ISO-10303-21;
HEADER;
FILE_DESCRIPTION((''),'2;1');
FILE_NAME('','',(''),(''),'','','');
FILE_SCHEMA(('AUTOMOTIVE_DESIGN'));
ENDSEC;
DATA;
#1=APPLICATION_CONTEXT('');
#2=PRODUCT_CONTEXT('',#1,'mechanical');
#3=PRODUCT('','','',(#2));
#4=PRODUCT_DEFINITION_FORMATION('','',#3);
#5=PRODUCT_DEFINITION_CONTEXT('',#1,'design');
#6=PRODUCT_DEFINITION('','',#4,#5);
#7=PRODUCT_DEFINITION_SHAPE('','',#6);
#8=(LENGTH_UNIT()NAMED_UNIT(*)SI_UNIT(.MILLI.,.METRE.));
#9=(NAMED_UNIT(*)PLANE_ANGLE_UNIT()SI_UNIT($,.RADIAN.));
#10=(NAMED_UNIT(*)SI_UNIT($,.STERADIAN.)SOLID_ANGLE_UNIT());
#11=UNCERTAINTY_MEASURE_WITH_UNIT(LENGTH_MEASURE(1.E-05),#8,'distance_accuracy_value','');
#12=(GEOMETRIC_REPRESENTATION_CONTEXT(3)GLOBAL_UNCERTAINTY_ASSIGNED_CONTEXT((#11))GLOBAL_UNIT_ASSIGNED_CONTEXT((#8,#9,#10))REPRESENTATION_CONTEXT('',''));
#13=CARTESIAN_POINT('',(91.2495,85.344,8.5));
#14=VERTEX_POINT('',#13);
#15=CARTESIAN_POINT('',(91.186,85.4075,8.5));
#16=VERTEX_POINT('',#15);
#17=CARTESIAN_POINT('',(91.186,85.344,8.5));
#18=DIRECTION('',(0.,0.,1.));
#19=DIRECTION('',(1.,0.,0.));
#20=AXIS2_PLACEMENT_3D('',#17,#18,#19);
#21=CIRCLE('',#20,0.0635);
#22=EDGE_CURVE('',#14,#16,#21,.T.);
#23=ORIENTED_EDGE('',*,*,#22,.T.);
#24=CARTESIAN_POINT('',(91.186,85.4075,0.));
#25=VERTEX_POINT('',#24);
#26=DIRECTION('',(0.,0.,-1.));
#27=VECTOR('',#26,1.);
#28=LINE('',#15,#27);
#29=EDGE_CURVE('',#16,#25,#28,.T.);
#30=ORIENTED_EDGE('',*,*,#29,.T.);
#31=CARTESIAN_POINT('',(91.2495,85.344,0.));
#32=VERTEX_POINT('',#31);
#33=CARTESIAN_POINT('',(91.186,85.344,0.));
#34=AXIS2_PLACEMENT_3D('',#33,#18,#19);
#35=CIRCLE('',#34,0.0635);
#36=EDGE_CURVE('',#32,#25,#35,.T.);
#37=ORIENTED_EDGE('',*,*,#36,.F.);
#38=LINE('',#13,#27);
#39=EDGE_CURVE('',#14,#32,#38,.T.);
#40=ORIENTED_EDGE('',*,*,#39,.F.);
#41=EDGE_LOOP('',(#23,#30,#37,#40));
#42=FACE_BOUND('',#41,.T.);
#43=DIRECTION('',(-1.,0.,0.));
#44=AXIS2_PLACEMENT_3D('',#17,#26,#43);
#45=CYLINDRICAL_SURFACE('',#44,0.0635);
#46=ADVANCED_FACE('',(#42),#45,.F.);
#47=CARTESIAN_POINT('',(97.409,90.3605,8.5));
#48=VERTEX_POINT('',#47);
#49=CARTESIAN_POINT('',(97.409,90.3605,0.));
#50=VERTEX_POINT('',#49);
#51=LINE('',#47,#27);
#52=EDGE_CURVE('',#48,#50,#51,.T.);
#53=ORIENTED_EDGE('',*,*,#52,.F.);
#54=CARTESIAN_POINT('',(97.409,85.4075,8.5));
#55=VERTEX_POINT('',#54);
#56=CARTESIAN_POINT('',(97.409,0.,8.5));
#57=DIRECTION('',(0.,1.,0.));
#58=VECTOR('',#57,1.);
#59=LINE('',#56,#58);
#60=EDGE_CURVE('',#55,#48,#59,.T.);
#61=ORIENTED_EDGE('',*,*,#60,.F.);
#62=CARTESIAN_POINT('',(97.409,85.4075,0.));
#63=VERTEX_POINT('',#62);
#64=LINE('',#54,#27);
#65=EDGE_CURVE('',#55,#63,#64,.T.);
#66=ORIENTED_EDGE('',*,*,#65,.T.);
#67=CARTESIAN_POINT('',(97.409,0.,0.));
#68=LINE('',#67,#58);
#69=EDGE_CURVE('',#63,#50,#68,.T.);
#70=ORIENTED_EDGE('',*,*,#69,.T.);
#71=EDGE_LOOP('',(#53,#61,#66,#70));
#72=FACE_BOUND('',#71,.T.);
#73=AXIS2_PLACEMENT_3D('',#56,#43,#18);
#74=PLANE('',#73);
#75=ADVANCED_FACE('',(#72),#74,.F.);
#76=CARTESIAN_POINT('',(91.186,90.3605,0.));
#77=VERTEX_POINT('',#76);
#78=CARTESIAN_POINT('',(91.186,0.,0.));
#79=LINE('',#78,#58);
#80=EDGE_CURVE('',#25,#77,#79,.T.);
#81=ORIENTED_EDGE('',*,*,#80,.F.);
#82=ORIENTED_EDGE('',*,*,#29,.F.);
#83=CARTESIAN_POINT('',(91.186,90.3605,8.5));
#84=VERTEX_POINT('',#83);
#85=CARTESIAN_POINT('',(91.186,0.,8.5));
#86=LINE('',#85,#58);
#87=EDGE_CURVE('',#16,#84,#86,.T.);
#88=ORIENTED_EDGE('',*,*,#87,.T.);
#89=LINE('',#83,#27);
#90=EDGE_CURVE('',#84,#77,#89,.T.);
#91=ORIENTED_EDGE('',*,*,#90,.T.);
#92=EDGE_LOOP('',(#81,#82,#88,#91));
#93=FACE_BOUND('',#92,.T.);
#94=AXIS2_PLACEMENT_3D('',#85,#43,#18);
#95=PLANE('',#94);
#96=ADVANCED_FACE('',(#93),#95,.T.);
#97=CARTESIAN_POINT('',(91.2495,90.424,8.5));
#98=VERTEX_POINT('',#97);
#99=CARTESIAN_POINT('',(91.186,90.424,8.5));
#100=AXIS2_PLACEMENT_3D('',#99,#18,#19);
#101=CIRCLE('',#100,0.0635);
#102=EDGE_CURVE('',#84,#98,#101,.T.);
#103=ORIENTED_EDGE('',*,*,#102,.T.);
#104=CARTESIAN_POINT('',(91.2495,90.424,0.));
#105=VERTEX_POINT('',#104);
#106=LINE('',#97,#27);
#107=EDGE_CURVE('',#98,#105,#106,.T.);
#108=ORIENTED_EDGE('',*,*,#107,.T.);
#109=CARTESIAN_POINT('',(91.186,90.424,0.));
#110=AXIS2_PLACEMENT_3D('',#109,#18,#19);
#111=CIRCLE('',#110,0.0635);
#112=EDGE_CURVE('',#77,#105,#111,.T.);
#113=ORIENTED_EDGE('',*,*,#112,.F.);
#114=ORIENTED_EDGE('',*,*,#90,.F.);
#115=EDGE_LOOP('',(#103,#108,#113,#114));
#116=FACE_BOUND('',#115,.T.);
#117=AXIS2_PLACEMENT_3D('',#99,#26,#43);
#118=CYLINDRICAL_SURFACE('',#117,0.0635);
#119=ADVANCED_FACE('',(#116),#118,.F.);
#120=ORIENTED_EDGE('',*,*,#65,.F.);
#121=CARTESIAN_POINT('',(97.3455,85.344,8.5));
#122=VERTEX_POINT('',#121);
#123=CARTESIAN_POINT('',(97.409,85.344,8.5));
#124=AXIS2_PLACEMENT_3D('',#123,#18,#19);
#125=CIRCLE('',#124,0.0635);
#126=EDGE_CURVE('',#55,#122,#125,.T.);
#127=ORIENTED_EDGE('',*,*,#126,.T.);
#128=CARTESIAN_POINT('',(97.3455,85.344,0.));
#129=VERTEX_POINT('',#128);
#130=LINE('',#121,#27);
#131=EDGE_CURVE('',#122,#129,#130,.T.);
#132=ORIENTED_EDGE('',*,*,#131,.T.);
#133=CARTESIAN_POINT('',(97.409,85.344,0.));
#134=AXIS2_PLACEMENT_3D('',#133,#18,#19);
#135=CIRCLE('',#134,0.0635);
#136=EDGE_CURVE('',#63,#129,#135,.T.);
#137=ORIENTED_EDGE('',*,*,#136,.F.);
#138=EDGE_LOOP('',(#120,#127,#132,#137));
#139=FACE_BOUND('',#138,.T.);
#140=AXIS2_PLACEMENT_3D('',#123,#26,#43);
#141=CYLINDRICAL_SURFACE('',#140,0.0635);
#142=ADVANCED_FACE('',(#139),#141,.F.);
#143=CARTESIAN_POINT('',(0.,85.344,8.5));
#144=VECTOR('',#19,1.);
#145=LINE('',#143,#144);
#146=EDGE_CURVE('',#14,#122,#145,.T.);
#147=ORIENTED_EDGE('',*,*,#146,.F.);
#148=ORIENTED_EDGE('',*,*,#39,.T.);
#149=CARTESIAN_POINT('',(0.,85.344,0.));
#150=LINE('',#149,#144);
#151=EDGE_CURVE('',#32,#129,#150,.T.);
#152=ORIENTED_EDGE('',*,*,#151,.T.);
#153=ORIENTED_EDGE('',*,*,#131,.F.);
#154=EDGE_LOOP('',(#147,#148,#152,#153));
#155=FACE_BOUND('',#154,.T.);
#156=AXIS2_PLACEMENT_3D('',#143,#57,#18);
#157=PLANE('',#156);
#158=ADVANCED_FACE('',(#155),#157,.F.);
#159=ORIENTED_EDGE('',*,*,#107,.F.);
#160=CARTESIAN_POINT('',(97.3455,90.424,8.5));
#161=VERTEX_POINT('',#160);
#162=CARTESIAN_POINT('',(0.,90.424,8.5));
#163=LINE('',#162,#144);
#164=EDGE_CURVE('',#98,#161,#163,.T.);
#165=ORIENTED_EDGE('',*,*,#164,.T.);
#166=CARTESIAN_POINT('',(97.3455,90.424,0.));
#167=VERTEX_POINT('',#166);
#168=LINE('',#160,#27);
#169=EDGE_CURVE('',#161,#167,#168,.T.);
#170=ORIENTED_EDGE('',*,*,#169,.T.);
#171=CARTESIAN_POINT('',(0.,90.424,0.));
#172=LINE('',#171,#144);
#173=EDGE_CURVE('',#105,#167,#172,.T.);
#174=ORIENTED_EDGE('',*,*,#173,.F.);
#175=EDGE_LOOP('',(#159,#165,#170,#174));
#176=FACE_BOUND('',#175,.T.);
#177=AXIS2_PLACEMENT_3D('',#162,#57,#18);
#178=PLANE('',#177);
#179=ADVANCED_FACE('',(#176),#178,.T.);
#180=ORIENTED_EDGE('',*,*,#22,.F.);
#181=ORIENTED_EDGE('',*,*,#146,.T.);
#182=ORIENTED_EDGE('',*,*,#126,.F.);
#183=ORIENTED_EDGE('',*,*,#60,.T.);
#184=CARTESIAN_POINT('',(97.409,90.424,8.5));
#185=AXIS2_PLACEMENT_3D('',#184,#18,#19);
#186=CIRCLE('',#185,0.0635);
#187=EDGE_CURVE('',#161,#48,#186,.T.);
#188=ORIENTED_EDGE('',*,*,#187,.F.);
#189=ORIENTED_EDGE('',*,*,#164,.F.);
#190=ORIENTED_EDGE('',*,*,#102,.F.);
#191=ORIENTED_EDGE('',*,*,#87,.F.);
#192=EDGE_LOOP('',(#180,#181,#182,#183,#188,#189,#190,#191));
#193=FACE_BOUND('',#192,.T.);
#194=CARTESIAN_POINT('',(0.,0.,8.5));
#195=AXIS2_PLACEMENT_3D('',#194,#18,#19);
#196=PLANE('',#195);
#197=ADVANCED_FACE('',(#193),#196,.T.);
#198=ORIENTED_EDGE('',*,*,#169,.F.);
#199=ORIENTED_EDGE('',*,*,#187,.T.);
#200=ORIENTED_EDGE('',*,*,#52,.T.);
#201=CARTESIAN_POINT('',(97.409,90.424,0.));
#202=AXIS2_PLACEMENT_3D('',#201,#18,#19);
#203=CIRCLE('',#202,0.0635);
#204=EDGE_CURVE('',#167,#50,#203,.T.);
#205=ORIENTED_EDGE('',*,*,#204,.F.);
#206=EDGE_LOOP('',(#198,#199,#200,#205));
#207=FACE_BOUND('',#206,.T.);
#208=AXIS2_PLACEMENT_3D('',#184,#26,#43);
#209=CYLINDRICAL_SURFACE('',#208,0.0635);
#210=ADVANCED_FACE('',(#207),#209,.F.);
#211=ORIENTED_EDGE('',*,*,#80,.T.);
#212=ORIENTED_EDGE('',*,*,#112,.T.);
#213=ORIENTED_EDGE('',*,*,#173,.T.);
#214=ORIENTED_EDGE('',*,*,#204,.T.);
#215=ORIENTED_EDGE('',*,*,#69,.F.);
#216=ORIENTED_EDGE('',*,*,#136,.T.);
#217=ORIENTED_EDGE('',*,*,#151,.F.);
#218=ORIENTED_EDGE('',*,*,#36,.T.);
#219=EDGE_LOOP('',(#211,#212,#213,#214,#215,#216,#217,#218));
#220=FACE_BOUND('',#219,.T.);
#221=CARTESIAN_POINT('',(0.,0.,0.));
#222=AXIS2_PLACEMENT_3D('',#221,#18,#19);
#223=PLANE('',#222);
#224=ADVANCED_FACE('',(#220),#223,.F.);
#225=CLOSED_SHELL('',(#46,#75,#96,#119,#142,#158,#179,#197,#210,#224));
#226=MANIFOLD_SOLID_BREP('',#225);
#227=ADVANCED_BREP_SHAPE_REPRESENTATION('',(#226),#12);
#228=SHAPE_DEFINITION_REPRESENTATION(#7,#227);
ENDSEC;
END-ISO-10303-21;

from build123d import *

# Parameters (mm, degrees)
EXTRUDE_1_DEPTH = 8.5


with BuildPart() as part:
    # 草图1 → 凸台-拉伸1 (new body)
    with BuildSketch(Plane.XY):
        with BuildLine():
            ThreePointArc((97.3455, 85.344), (97.364098719, 85.388901281), (97.409, 85.4075))
            Line((97.409, 85.4075), (97.409, 90.3605))
            ThreePointArc((97.409, 90.3605), (97.364098719, 90.379098719), (97.3455, 90.424))
            Line((97.3455, 90.424), (91.2495, 90.424))
            ThreePointArc((91.2495, 90.424), (91.230901281, 90.379098719), (91.186, 90.3605))
            Line((91.186, 90.3605), (91.186, 85.4075))
            ThreePointArc((91.186, 85.4075), (91.230901281, 85.388901281), (91.2495, 85.344))
            Line((91.2495, 85.344), (97.3455, 85.344))
        make_face()
    extrude(amount=EXTRUDE_1_DEPTH)


solid = part.part
